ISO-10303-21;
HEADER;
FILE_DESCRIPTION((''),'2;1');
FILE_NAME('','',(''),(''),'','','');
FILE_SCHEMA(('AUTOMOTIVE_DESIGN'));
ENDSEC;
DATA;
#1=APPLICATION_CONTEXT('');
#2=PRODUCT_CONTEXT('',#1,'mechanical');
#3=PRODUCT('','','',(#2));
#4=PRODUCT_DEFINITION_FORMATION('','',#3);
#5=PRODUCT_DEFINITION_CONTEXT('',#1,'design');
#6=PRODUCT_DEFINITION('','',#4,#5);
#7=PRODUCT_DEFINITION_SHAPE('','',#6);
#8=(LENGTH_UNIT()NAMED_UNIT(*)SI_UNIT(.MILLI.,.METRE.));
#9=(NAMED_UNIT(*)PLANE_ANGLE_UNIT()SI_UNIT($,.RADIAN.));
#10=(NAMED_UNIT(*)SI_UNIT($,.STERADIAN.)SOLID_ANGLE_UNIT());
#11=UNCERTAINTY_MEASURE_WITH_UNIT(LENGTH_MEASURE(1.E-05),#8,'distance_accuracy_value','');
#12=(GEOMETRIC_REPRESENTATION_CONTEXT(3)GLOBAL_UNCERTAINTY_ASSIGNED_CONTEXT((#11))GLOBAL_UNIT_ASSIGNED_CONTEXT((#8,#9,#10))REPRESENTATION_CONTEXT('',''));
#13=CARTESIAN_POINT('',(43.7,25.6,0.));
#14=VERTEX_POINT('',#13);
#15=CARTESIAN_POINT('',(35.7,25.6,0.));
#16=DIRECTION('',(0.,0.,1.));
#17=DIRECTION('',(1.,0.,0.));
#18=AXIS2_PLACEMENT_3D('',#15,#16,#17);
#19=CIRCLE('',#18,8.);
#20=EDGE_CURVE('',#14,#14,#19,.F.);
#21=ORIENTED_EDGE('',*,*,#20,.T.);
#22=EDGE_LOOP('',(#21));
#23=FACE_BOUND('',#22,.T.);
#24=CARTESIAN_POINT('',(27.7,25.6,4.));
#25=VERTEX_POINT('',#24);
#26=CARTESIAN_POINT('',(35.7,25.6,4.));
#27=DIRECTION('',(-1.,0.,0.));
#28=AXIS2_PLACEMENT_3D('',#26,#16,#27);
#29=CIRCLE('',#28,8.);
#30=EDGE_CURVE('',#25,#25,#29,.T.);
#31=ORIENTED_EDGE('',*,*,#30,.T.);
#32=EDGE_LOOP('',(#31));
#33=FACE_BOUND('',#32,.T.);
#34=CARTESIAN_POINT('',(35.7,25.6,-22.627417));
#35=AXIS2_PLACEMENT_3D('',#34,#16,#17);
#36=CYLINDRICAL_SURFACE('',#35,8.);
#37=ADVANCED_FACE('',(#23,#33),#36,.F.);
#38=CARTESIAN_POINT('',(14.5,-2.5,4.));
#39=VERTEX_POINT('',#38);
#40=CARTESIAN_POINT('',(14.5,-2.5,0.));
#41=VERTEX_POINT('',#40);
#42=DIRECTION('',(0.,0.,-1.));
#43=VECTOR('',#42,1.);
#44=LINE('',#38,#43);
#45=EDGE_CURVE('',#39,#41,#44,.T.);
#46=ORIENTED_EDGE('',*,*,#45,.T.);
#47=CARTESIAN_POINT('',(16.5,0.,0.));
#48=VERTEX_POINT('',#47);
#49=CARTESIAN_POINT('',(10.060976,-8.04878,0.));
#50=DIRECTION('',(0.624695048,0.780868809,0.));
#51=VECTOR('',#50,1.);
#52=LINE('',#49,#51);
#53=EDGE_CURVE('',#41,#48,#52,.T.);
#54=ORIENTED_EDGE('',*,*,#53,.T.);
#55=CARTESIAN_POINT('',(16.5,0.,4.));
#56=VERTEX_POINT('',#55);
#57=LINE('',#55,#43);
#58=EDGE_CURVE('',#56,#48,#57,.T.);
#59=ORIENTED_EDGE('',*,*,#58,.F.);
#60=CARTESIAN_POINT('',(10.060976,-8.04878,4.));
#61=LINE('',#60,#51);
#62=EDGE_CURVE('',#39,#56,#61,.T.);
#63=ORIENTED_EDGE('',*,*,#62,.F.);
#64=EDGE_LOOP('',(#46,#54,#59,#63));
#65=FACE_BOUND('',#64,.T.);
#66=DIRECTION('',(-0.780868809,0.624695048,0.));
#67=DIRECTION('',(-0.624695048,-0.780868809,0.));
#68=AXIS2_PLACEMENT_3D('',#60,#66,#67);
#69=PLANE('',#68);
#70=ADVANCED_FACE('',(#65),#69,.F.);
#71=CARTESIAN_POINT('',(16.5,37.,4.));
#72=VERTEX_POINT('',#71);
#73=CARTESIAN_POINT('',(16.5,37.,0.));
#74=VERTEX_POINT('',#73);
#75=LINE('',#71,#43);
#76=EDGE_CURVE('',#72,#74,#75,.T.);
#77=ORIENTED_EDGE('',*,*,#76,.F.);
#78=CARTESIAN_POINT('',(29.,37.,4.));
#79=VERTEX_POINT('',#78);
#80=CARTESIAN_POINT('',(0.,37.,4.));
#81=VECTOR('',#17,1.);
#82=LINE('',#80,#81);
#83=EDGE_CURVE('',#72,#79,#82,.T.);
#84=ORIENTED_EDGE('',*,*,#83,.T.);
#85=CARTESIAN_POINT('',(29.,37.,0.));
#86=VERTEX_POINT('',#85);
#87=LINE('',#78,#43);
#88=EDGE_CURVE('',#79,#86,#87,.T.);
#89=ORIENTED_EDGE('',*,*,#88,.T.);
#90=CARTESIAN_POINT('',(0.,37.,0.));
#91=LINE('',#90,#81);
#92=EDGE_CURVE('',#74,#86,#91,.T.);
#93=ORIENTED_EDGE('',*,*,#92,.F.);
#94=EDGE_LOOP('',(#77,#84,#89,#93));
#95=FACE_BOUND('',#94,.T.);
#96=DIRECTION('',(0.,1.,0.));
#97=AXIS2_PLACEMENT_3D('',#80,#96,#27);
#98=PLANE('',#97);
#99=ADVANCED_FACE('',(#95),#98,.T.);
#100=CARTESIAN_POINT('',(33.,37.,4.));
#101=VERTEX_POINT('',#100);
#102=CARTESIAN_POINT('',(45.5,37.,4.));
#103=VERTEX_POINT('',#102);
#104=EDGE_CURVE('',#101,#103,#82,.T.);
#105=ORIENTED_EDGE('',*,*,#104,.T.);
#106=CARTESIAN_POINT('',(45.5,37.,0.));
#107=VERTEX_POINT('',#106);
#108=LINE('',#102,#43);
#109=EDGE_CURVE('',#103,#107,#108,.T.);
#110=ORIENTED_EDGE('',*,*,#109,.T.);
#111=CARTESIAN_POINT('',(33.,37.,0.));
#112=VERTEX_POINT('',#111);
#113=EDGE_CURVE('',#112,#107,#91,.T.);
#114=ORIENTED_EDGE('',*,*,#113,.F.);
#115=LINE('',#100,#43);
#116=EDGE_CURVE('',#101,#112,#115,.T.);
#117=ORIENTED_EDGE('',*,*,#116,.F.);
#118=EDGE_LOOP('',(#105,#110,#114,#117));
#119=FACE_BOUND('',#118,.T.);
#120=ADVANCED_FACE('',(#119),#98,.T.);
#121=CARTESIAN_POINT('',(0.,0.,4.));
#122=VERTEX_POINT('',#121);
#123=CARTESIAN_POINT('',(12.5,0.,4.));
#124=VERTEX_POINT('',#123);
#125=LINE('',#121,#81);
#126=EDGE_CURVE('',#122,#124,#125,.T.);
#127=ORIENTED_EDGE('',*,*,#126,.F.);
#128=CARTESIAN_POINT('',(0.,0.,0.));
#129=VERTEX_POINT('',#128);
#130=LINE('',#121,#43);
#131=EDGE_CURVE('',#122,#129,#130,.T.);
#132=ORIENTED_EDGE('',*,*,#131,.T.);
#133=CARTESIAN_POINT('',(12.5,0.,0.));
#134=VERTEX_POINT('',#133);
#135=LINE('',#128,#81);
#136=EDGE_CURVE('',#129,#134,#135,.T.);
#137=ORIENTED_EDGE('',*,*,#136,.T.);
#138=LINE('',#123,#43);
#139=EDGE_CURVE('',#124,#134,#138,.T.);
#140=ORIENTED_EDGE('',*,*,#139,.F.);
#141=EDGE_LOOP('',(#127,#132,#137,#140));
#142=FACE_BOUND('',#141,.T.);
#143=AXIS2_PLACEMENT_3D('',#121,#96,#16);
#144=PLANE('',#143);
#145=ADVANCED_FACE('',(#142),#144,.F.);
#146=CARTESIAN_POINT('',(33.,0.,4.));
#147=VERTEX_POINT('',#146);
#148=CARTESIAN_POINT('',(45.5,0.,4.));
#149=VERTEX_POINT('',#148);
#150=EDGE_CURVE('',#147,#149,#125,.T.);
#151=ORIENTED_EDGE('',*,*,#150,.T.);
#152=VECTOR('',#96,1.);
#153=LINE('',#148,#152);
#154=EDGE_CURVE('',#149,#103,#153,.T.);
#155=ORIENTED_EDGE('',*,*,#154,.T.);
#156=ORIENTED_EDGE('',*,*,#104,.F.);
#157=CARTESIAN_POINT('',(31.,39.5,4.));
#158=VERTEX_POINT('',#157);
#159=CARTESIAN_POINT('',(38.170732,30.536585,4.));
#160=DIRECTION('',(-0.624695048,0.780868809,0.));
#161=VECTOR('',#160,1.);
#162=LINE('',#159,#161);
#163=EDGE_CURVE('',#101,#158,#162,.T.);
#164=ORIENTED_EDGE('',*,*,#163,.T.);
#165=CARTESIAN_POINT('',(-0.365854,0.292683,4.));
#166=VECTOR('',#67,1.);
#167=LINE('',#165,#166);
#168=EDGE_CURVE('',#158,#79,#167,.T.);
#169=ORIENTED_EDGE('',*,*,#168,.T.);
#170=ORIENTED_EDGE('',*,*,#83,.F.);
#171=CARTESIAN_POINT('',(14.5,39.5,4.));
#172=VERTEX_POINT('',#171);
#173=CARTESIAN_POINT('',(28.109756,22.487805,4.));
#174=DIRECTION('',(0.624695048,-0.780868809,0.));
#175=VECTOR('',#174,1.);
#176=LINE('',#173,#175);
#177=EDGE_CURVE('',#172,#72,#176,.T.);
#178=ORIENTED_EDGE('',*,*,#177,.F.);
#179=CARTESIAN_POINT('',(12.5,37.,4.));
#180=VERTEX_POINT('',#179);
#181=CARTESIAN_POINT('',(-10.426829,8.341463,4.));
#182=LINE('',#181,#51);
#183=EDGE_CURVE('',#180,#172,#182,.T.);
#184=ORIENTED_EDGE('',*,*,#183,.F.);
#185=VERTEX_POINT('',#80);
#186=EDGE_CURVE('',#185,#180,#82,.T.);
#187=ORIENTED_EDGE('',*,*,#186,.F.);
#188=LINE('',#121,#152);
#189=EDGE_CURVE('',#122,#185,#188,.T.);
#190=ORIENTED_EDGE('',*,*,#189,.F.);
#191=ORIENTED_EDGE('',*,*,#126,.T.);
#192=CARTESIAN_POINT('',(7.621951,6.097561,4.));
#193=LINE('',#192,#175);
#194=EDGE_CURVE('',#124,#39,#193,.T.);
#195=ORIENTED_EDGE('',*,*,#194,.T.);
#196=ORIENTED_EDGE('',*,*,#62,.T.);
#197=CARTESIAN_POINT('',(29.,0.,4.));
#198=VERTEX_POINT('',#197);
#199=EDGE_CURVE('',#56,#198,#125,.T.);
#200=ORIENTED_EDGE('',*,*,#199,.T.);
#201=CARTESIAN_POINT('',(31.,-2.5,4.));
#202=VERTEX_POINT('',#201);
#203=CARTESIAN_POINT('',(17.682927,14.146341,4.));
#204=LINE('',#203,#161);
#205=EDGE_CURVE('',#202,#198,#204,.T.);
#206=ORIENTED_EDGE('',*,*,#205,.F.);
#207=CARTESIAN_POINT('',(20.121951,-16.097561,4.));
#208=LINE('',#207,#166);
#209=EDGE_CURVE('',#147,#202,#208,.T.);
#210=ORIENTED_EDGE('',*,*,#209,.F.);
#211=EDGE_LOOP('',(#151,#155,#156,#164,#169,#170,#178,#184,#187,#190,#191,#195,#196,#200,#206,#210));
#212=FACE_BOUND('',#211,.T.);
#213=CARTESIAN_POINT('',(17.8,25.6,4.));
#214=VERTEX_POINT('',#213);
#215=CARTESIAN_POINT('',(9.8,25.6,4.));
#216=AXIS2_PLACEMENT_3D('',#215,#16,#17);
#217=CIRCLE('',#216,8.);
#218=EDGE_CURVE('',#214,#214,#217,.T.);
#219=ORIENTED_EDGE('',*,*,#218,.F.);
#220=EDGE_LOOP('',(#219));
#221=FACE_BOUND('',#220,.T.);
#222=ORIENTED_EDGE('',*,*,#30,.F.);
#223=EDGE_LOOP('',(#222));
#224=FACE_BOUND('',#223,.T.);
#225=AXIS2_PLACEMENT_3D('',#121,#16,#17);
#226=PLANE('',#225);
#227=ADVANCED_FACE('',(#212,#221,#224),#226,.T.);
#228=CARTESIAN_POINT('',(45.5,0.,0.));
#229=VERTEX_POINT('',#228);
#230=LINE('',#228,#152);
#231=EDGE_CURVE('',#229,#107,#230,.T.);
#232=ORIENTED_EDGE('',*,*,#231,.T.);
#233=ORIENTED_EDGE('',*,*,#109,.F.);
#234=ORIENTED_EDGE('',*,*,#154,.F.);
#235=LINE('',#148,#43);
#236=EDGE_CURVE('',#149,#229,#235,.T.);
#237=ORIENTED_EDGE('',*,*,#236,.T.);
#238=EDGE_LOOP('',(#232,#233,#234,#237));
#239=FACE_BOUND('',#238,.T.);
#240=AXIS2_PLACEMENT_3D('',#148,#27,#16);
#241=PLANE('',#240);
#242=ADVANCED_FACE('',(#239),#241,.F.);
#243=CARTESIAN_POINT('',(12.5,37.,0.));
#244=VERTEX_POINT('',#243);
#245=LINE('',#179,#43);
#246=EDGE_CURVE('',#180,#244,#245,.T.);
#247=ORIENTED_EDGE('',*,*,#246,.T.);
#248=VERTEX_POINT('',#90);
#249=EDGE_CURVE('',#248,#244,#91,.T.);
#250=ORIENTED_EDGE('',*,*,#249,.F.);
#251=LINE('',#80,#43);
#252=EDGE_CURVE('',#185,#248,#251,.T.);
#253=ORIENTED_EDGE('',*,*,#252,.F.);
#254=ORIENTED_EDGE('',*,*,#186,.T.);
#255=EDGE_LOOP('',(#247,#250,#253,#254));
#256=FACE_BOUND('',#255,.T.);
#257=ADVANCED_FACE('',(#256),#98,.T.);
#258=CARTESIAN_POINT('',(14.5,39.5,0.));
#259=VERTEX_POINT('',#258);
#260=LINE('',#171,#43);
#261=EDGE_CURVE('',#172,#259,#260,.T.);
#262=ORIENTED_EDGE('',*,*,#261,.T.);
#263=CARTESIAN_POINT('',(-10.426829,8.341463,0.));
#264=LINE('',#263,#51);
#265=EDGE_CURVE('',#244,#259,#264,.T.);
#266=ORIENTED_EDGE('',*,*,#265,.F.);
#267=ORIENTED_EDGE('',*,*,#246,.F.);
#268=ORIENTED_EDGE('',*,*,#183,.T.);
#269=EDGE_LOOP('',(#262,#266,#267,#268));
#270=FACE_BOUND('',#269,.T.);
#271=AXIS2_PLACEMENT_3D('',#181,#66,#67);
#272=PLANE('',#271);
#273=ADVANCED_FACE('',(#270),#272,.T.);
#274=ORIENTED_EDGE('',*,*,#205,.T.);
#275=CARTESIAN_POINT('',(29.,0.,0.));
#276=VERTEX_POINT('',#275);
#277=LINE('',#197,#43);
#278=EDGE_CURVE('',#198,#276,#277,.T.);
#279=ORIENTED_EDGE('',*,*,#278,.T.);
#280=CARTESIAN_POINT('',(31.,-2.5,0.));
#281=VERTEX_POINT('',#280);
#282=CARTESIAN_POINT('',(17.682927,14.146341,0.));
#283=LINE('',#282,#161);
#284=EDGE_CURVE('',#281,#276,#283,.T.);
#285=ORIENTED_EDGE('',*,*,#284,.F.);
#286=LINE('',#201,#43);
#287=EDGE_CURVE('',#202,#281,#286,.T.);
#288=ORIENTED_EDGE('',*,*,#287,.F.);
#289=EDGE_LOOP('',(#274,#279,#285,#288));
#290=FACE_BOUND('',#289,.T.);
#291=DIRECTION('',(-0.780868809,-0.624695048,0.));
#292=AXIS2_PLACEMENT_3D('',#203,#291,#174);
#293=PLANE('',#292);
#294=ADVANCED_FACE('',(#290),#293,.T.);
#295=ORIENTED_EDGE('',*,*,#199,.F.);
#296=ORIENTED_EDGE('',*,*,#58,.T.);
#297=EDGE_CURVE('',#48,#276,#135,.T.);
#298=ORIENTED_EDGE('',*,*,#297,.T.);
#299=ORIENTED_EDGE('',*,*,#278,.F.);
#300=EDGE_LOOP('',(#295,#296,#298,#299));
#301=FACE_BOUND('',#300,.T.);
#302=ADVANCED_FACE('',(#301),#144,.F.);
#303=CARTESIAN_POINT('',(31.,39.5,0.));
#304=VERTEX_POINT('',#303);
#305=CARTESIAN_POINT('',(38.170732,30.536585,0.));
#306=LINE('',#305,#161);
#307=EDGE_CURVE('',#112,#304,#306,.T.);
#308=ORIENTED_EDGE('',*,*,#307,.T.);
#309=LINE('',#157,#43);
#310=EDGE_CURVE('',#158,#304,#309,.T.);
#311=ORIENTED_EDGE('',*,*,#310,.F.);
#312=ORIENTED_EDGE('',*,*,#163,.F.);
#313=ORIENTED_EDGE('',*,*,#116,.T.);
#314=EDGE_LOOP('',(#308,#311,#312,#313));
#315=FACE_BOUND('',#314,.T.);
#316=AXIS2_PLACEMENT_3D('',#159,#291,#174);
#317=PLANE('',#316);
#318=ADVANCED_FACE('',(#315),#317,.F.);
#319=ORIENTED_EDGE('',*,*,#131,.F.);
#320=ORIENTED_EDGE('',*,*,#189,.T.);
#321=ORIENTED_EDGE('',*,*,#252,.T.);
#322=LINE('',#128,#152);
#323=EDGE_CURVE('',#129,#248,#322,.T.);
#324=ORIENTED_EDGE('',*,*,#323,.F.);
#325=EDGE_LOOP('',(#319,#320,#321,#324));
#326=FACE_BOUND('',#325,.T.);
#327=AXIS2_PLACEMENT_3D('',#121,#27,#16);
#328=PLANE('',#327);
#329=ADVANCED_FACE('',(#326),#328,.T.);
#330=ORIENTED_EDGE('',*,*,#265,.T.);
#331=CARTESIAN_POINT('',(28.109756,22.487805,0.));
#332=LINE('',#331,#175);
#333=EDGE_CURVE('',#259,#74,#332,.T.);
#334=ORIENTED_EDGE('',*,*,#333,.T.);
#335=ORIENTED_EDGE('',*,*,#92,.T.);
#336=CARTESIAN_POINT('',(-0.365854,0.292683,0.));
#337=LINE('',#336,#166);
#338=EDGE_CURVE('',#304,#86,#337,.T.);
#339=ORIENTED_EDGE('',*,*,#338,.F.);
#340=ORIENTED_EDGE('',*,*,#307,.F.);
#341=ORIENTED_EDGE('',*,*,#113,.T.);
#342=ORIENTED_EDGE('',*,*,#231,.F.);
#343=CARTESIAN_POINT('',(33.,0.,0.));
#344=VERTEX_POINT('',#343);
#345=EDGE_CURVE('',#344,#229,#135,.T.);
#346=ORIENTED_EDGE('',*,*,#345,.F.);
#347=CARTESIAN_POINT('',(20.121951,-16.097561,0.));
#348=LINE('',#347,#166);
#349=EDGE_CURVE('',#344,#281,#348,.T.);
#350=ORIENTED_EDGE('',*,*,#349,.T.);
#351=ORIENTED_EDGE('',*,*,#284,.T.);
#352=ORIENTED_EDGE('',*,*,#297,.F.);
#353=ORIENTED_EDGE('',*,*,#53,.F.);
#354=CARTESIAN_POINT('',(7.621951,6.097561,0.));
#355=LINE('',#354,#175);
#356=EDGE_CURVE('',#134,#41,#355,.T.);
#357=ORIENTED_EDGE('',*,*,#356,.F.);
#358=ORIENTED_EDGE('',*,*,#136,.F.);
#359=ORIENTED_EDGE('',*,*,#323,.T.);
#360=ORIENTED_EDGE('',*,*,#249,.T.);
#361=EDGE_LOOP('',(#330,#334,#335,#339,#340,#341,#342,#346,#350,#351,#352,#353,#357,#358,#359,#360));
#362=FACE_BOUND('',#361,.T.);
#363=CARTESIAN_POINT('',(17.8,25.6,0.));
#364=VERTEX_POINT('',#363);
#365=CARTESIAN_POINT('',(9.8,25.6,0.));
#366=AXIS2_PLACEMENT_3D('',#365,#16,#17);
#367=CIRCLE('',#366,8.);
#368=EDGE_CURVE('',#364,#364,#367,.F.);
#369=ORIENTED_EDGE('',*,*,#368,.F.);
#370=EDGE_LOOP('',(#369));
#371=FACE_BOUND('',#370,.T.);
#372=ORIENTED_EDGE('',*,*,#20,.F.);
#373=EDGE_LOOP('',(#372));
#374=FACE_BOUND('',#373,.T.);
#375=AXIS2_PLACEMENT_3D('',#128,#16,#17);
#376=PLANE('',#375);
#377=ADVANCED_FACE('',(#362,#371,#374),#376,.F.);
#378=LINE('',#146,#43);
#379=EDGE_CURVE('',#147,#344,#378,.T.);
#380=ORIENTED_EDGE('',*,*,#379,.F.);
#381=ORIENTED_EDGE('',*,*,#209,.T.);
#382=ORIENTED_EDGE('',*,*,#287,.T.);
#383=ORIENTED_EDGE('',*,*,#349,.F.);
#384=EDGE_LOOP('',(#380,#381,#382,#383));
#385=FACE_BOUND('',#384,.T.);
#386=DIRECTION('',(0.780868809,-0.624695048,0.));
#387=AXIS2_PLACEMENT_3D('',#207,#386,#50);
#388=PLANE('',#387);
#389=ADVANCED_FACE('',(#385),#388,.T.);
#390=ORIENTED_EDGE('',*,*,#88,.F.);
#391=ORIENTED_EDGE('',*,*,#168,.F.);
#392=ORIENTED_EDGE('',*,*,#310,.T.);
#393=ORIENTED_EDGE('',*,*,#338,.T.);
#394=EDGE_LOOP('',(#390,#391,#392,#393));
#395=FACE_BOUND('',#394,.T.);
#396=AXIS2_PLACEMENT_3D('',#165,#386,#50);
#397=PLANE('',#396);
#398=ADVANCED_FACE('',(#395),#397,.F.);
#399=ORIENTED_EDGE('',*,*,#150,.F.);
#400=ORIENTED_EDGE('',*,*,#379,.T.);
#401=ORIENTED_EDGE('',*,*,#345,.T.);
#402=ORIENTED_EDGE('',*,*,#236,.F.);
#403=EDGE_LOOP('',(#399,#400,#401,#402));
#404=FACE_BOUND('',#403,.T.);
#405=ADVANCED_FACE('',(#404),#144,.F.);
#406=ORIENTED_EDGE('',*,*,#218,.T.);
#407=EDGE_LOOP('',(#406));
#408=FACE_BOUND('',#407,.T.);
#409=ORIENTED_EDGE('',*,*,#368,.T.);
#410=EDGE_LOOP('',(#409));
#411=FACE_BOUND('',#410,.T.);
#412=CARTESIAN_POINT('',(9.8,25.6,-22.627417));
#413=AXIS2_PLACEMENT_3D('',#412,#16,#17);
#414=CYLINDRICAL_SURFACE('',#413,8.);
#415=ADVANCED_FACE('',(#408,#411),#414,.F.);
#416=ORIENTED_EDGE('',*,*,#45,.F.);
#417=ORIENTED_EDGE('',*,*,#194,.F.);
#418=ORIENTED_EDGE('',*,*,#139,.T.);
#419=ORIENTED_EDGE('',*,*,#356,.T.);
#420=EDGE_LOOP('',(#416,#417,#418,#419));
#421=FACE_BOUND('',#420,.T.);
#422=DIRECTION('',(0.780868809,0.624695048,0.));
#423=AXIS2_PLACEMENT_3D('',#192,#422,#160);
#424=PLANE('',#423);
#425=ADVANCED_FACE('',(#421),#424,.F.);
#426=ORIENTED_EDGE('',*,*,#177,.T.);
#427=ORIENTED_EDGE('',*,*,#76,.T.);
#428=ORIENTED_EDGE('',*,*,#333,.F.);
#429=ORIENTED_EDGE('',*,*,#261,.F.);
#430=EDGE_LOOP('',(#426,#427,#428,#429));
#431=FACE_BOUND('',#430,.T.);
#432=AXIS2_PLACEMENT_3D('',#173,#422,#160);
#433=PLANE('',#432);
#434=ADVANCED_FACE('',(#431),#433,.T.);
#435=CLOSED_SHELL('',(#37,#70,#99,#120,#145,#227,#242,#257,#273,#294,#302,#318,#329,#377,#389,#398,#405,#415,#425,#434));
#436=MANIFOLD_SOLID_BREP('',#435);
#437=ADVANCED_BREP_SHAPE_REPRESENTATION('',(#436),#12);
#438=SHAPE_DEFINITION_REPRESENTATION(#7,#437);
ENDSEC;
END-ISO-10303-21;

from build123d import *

# Parameters (mm, degrees)
SKETCH1_W      = 45.5
SKETCH1_H      = 37
BASIS_DEPTH    = 4
SKETCH3_R      = 8
HR04_GAT_DEPTH = 4


with BuildPart() as part:
    # Sketch1 → Basis (new body)
    with BuildSketch(Plane.XY):
        with Locations((22.75, 18.5)):
            Rectangle(SKETCH1_W, SKETCH1_H)
        Polygon((14.5, 39.5), (12.5, 37), (16.5, 37), align=None)
        Polygon((31, 39.5), (29, 37), (33, 37), align=None)
        Polygon((16.5, 0), (12.5, 0), (14.5, -2.5), align=None)
        Polygon((33, 0), (29, 0), (31, -2.5), align=None)
    extrude(amount=BASIS_DEPTH)

    # Sketch3 → HR04 gat (cut)
    with BuildSketch(Plane.XY.offset(4)):
        with Locations((9.8, 25.6)):
            Circle(SKETCH3_R)
        with Locations((35.7, 25.6)):
            Circle(SKETCH3_R)
    extrude(amount=-HR04_GAT_DEPTH, mode=Mode.SUBTRACT)


solid = part.part
